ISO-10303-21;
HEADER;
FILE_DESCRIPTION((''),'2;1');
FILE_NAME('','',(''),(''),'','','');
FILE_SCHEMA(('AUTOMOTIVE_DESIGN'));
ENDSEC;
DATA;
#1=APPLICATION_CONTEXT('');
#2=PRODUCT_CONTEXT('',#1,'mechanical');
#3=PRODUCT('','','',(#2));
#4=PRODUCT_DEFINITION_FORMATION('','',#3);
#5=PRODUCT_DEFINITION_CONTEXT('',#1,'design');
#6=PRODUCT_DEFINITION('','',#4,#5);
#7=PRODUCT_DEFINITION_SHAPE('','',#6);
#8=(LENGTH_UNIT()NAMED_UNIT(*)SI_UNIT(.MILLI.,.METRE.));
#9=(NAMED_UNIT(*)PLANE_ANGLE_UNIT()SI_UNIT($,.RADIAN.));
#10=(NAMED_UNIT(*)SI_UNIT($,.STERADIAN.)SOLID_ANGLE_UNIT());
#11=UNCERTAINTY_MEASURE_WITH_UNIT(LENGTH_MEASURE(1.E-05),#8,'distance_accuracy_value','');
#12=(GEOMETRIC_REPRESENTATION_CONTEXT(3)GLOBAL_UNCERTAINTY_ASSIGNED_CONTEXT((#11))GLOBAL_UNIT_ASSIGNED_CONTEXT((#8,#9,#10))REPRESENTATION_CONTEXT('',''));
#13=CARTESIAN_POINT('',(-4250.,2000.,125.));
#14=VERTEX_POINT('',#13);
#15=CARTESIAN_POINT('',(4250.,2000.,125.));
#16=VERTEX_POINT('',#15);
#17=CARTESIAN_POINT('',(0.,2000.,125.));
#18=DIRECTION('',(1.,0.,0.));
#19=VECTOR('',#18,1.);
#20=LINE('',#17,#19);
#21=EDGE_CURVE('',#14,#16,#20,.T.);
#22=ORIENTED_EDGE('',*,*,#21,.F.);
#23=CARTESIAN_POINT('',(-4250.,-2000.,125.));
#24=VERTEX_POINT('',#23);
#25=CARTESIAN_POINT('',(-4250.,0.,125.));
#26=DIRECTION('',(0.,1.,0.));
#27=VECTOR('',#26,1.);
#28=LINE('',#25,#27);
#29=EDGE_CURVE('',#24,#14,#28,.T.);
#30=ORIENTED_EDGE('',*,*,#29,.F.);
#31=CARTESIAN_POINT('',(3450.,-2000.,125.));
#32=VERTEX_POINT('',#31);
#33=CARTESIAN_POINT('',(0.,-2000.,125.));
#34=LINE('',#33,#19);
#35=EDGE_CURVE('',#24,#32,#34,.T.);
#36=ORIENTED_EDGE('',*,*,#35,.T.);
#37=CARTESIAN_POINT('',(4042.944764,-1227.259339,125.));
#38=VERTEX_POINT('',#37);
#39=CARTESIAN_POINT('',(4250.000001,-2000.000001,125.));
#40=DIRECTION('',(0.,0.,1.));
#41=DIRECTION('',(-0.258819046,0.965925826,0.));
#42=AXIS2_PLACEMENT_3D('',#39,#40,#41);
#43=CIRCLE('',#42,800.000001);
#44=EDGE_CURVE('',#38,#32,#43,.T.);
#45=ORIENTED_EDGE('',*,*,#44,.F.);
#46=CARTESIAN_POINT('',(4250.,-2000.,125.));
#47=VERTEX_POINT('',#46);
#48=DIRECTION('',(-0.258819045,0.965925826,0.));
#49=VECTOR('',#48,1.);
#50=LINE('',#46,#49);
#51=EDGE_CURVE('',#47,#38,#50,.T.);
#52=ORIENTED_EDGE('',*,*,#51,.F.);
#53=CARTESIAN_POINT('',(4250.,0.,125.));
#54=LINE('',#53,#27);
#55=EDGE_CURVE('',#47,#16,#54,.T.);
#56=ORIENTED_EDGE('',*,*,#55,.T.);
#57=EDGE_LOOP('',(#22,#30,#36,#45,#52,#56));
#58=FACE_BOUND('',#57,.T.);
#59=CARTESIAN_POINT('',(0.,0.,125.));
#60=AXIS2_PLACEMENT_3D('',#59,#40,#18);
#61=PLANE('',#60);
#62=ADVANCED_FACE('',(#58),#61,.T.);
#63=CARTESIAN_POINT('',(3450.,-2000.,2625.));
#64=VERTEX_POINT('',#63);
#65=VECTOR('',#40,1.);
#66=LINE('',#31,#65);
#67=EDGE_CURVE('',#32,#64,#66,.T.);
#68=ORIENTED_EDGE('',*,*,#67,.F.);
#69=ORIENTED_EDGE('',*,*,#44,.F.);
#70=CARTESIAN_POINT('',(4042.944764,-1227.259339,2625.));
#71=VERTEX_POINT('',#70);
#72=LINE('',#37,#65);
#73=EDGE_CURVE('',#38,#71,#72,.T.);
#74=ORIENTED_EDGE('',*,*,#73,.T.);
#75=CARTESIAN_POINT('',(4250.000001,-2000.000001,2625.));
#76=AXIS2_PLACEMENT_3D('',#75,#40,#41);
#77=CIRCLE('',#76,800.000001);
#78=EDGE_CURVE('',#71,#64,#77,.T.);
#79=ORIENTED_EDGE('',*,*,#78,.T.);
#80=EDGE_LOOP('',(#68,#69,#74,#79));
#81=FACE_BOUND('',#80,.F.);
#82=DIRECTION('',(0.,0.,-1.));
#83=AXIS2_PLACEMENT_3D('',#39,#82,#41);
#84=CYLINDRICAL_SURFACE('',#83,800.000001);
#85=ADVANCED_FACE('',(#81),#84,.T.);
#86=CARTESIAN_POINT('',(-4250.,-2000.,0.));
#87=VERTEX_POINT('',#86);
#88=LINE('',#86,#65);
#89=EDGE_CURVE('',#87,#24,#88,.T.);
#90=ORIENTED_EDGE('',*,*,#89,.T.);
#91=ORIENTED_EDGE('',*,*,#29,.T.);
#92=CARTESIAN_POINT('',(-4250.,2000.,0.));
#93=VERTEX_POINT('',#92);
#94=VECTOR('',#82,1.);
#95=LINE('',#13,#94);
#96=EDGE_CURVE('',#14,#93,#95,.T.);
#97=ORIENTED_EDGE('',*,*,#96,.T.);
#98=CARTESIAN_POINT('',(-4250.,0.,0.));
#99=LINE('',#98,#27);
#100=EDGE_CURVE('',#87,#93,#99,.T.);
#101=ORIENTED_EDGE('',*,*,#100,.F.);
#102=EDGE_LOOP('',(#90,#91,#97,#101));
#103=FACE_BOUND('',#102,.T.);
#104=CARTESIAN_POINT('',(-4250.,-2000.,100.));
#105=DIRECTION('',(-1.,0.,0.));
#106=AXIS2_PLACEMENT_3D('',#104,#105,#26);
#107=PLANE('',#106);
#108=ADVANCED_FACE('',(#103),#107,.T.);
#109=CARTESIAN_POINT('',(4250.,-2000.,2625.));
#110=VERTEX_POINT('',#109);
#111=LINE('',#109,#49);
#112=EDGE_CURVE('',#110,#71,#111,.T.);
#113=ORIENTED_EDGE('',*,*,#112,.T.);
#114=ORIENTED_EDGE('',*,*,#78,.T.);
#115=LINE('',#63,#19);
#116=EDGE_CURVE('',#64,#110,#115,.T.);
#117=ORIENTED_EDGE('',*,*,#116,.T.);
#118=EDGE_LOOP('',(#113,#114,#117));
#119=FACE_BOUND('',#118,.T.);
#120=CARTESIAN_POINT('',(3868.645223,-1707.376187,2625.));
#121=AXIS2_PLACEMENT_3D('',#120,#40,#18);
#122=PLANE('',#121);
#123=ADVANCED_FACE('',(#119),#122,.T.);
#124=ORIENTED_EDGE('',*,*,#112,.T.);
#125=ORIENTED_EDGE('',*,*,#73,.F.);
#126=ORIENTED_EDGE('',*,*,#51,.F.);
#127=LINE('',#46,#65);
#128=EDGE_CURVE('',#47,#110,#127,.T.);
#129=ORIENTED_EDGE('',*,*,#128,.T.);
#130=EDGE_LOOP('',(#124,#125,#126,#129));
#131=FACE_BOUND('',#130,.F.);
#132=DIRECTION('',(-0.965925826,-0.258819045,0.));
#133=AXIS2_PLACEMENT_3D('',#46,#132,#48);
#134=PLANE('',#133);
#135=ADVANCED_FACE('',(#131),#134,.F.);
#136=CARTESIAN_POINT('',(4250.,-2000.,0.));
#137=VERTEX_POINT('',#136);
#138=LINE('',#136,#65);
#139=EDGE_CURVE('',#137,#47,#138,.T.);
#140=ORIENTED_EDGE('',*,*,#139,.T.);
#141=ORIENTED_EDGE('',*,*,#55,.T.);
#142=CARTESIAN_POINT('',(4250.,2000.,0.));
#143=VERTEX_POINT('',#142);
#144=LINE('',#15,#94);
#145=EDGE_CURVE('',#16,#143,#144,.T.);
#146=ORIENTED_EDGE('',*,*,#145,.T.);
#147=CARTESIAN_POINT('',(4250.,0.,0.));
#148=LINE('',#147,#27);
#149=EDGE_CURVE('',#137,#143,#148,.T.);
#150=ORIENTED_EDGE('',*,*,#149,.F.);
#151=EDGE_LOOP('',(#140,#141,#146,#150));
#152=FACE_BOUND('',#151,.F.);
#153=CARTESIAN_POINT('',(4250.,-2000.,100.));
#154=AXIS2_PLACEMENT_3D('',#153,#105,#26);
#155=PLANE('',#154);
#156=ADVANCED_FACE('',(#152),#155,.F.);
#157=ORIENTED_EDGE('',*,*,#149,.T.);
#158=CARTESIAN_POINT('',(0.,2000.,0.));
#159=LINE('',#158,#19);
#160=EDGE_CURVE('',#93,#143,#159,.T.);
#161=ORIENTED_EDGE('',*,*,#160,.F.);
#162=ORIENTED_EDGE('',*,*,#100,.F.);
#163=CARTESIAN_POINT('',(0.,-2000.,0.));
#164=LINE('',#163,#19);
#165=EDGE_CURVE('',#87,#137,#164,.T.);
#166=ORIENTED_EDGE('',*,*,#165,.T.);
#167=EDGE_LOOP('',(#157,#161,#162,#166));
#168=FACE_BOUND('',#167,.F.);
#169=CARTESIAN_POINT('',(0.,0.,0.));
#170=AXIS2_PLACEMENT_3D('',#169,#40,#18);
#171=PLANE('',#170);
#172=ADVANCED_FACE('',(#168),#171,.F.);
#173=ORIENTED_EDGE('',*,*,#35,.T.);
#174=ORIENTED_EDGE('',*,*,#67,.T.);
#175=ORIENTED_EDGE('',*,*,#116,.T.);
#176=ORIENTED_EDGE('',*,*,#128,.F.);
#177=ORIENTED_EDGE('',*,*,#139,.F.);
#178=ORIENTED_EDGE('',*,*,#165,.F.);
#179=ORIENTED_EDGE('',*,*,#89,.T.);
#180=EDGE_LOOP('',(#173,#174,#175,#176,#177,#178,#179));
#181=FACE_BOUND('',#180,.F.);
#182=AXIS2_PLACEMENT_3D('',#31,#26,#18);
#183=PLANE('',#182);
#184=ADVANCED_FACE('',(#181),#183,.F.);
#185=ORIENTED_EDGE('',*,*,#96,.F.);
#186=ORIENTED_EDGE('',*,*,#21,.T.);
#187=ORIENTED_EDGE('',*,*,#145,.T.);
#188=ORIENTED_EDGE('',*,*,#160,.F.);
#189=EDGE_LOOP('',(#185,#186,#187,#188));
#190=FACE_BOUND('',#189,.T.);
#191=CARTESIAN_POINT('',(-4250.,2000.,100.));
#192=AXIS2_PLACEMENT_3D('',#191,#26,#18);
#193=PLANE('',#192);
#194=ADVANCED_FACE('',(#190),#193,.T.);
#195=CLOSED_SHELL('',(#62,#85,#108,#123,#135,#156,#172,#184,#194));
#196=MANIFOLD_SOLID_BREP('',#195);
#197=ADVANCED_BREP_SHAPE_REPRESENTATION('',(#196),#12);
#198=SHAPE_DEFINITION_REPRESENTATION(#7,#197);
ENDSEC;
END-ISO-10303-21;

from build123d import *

# Parameters (mm, degrees)
F0_W      = 8500
F0_H      = 4000
F1_DEPTH  = 100
F1_FACE_W = 8500
F1_FACE_H = 4000
F2_DEPTH  = 25
F4_DEPTH  = 2500


with BuildPart() as f1:
    # F0 (on Top) → F1 (new body)
    with BuildSketch(Plane.XY):
        Rectangle(F0_W, F0_H)
    extrude(amount=F1_DEPTH)

    # F1_face (on face) → F2 (join)
    with BuildSketch(Plane.XY.offset(100)):
        Rectangle(F1_FACE_W, F1_FACE_H)
    extrude(amount=F2_DEPTH)

    # F3 (on face) → F4 (join)
    with BuildSketch(Plane.XY.offset(125)):
        with BuildLine():
            Line((3450, -2000), (4250, -2000))
            Line((4250, -2000), (4042.944764, -1227.259339))
            ThreePointArc((4042.944764, -1227.259339), (3615.317328, -1512.990857), (3450, -2000))
        make_face()
    extrude(amount=F4_DEPTH)


solid = f1.part
